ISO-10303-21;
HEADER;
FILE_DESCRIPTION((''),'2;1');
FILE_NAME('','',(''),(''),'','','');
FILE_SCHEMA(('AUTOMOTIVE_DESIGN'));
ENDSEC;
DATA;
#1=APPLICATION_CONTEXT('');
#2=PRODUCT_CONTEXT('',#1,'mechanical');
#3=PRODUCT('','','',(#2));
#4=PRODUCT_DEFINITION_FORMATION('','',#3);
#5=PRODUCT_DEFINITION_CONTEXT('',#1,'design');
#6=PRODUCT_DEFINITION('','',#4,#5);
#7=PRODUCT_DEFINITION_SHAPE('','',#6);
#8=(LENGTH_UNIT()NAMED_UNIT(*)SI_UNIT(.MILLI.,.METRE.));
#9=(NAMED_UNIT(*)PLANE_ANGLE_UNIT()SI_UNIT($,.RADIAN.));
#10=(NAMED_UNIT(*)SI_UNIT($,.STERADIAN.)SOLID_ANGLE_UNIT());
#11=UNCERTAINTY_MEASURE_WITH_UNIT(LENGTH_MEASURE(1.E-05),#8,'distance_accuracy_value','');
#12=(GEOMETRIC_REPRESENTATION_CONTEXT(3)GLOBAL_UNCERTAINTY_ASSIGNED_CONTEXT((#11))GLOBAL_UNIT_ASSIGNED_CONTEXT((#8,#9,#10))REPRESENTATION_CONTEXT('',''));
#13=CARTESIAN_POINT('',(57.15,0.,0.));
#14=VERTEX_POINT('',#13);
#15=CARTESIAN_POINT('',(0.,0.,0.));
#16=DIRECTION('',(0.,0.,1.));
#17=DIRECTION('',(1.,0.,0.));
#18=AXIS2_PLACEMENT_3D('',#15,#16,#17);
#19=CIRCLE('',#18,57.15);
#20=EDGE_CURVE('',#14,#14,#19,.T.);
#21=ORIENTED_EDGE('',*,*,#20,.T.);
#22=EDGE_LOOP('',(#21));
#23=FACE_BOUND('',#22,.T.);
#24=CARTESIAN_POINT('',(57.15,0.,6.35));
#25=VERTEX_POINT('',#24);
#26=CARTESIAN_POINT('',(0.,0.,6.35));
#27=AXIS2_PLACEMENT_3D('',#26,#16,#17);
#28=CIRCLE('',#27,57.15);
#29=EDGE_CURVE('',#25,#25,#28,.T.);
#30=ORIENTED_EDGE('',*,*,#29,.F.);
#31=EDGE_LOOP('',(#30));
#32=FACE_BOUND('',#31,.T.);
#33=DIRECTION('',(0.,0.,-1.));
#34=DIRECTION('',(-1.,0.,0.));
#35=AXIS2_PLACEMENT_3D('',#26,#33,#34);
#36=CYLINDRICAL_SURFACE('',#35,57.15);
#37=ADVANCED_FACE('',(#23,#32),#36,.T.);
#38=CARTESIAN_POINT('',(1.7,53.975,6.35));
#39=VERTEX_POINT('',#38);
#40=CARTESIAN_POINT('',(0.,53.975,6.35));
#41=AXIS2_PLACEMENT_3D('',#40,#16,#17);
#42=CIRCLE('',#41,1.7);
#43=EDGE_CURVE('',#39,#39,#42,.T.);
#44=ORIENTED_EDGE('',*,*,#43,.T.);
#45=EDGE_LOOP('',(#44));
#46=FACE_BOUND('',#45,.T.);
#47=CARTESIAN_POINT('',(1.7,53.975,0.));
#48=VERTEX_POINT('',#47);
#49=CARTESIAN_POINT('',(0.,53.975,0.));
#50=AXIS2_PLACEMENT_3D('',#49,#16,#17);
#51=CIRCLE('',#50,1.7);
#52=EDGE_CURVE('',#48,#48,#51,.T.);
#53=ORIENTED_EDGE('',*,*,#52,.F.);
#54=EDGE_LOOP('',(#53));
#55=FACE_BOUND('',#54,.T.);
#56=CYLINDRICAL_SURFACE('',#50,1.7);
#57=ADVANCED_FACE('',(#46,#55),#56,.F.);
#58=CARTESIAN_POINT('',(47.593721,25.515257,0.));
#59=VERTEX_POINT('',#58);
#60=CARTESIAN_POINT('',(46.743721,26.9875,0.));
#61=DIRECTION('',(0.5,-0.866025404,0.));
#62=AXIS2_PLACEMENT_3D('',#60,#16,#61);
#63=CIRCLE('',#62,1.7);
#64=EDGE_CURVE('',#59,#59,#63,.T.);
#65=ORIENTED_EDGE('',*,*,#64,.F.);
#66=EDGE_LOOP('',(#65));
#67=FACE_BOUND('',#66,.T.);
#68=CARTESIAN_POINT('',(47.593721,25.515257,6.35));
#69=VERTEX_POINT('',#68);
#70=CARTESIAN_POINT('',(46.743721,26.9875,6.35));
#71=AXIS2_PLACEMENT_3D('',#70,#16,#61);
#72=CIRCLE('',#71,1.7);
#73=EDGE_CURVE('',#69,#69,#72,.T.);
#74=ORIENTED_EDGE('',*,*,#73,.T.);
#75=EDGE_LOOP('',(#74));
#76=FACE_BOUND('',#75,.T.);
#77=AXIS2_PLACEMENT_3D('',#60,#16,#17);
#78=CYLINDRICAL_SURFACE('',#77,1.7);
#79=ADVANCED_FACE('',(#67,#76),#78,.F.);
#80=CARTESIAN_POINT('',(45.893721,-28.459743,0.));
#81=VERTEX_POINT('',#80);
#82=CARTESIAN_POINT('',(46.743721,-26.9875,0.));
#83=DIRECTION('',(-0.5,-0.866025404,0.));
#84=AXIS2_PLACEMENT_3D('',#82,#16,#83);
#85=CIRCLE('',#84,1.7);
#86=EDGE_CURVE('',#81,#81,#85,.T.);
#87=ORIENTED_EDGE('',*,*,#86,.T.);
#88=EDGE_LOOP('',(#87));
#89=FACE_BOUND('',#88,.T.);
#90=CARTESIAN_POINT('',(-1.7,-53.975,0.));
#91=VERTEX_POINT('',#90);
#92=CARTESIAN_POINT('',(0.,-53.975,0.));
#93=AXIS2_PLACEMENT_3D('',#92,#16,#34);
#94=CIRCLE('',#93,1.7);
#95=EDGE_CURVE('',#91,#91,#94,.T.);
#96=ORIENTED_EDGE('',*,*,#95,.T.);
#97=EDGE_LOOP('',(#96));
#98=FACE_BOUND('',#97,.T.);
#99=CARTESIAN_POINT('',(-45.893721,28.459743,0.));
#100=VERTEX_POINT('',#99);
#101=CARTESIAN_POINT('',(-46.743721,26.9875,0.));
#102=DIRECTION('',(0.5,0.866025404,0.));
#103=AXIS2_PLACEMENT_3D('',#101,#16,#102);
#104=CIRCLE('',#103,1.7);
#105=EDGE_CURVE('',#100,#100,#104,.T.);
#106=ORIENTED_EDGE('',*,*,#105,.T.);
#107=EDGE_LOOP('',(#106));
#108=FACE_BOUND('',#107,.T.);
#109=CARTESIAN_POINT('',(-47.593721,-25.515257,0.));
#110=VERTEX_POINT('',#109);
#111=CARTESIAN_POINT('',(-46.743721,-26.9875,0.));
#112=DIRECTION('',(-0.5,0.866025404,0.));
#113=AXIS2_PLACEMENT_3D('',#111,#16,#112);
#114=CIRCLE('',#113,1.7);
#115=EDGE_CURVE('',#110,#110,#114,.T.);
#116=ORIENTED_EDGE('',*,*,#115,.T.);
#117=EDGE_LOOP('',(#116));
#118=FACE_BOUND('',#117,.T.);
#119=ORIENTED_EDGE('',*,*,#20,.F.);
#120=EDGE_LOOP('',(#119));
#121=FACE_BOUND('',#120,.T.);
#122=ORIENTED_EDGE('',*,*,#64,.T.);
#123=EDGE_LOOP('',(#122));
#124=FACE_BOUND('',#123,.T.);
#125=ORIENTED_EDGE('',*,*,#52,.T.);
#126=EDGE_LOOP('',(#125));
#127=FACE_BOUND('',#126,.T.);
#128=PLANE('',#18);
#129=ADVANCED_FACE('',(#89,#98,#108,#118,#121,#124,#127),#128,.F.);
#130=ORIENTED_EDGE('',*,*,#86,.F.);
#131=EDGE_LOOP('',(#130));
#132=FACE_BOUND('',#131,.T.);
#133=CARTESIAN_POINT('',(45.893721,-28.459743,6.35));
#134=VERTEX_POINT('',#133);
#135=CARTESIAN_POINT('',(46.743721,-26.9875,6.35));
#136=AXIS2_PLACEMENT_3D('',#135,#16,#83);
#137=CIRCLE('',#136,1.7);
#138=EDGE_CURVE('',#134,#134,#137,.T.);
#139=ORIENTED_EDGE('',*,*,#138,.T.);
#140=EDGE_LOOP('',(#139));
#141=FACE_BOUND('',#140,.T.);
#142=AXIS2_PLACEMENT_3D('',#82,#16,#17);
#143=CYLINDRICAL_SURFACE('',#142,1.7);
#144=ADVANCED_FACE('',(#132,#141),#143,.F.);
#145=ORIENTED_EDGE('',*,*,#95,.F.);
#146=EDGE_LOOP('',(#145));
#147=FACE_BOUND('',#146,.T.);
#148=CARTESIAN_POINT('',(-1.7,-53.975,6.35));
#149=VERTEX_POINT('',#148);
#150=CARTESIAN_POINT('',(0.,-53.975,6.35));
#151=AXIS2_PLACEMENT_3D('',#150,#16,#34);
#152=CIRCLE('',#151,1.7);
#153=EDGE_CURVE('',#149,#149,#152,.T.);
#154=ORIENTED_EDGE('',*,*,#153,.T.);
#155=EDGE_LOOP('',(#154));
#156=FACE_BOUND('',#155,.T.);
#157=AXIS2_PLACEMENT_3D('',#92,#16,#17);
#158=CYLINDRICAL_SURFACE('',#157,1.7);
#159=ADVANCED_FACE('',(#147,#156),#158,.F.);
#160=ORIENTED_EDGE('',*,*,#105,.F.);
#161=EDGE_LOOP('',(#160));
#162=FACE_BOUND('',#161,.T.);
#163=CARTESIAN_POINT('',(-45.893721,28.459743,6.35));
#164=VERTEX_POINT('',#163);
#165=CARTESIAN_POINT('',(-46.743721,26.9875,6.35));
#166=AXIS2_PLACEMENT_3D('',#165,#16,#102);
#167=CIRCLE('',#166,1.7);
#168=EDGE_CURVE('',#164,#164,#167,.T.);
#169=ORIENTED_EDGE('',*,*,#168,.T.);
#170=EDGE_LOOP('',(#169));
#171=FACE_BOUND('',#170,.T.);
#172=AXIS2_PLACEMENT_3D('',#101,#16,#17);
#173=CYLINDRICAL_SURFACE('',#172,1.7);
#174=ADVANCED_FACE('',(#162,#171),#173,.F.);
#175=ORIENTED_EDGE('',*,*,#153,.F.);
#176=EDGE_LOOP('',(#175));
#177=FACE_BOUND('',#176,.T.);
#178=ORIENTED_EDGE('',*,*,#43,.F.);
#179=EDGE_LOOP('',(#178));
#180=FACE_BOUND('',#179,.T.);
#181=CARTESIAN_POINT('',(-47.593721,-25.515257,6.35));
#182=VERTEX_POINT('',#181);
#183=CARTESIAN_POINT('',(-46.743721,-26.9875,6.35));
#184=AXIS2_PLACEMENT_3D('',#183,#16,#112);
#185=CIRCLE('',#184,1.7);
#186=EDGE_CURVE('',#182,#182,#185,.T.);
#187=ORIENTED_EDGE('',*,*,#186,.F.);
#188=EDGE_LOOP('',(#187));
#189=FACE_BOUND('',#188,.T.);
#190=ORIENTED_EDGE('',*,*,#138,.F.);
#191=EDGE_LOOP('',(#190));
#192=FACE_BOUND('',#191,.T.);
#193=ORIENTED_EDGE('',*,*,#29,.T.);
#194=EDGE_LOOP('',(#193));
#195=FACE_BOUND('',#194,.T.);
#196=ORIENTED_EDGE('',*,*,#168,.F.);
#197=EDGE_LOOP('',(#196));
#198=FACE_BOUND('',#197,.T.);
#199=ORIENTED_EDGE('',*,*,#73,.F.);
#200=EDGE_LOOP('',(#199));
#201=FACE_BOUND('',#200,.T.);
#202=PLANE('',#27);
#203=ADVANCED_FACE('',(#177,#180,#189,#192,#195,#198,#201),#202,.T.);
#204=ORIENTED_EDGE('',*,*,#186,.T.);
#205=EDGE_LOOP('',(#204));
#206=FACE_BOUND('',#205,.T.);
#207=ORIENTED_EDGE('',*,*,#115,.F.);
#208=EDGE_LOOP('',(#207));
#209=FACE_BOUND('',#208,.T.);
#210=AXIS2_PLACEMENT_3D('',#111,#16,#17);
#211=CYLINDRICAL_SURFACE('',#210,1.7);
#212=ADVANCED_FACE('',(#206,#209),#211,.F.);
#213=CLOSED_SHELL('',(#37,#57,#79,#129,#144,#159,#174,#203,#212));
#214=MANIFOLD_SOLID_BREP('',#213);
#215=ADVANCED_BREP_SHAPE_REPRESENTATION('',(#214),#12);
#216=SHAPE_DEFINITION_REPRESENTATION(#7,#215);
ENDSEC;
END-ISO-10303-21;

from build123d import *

# Parameters (mm, degrees)
SKETCH2_R           = 57.15
BOSS_EXTRUDE1_DEPTH = 6.35
SKETCH6_R           = 1.7
CUT_EXTRUDE4_DEPTH  = 7.35
CIRPATTERN3_COUNT   = 6


with BuildPart() as part:
    # Sketch2 → Boss-Extrude1 (new body)
    with BuildSketch(Plane.XY):
        Circle(SKETCH2_R)
    extrude(amount=BOSS_EXTRUDE1_DEPTH)

    # Sketch6 → Cut-Extrude4 (cut, through all)
    with BuildSketch(Plane.XY.offset(6.35)):
        with Locations((0, 53.975)):
            Circle(SKETCH6_R)
    cut_extrude4 = extrude(amount=-CUT_EXTRUDE4_DEPTH, mode=Mode.SUBTRACT)

    # CirPattern3: Cut-Extrude4 ×6 about axis
    cirpattern3_axis = Axis((0, 0, 0), (0, 0, 1))
    for i in range(1, CIRPATTERN3_COUNT):
        add(cut_extrude4.rotate(cirpattern3_axis, i * 360 / CIRPATTERN3_COUNT), mode=Mode.SUBTRACT)


solid = part.part
